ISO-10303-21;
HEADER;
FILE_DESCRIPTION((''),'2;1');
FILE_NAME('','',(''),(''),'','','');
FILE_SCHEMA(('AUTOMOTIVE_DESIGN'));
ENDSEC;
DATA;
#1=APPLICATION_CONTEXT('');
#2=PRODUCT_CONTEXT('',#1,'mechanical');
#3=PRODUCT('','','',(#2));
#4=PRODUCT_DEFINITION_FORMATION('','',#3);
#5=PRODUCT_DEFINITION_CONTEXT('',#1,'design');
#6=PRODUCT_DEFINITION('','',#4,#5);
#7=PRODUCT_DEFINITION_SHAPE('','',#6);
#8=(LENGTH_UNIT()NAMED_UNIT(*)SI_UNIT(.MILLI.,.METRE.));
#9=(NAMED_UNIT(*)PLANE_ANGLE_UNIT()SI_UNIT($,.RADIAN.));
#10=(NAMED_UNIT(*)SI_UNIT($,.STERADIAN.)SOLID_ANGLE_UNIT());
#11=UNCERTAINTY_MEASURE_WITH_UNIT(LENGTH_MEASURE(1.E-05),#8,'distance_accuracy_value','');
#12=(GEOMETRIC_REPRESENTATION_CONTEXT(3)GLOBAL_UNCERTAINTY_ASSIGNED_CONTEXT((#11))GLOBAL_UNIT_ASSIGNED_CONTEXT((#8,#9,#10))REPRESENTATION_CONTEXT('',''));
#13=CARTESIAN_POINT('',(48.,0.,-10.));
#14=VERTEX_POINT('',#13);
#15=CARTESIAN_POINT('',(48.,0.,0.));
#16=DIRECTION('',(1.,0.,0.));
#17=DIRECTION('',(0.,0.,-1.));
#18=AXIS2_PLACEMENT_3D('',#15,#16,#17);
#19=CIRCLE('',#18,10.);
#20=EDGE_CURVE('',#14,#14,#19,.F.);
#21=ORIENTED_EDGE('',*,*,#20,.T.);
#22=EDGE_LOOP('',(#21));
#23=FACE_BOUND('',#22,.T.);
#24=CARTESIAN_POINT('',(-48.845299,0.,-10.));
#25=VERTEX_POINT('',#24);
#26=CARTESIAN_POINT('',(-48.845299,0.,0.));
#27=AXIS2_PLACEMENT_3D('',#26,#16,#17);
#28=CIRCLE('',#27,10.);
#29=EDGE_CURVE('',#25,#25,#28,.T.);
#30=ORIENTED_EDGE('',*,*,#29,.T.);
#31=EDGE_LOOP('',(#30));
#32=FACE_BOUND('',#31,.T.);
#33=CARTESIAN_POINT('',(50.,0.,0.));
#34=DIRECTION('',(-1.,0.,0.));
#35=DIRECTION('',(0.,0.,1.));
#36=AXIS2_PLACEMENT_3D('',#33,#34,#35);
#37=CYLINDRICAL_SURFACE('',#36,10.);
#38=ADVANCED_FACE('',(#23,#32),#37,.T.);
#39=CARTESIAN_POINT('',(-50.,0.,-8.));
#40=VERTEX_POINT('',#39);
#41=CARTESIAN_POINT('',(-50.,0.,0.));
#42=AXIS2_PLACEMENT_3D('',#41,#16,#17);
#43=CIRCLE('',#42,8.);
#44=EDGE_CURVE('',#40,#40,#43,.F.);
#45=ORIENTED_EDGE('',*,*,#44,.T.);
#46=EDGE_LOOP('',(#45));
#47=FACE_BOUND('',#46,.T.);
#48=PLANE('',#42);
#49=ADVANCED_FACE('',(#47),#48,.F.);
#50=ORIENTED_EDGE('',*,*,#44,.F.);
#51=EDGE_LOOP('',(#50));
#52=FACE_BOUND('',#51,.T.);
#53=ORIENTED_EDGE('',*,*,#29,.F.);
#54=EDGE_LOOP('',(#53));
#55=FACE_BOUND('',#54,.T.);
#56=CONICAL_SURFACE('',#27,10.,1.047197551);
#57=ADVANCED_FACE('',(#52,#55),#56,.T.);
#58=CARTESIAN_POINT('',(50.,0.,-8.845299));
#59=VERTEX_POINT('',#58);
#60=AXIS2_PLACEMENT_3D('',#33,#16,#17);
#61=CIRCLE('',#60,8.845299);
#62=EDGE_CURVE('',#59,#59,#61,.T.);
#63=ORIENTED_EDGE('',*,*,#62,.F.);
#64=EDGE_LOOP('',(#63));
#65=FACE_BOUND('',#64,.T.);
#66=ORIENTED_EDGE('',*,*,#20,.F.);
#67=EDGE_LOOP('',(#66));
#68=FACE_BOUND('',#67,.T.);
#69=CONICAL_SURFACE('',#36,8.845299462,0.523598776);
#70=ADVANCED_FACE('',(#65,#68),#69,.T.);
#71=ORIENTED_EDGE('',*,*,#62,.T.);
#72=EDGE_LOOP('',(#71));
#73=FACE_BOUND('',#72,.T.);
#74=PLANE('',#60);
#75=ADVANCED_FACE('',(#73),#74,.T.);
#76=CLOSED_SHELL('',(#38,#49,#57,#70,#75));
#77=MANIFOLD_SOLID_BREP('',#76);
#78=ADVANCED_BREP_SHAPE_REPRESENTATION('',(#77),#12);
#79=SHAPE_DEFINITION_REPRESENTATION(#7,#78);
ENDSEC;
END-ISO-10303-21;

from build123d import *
from OCP.BRepFilletAPI import BRepFilletAPI_MakeChamfer

# Parameters (mm, degrees)
SKETCH1_R           = 10
BOSS_EXTRUDE1_DEPTH = 50
CHAMFER1_SIZE       = 2
CHAMFER1_SIZE2      = 1.154700538


with BuildPart() as part:
    # Sketch1 → Boss-Extrude1 (new, symmetric)
    with BuildSketch(Plane(origin=(0, 0, 0), x_dir=(0, 0, -1), z_dir=(1, 0, 0))):
        Circle(SKETCH1_R)
    extrude(amount=BOSS_EXTRUDE1_DEPTH, both=True)

    # Chamfer1: one chamfer whose edges measure the first distance from different faces: ONE call of the kernel's chamfer builder (chamfer() names one face for all edges)
    chamfer1_edges_1 = [part.edges().sort_by_distance(p)[0] for p in [
        (-50, 0, 10),
    ]]
    chamfer1_side_1 = [part.faces().sort_by_distance(p)[0] for p in [
        (-50, 0, 0),
    ]]
    chamfer1_edges_2 = [part.edges().sort_by_distance(p)[0] for p in [
        (50, 0, 10),
    ]]
    chamfer1_side_2 = [part.faces().sort_by_distance(p)[0] for p in [
        (0, 0, 10),
    ]]
    chamfer1 = BRepFilletAPI_MakeChamfer(part.part.solid().wrapped)
    for e in chamfer1_edges_1:
        chamfer1.Add(CHAMFER1_SIZE, CHAMFER1_SIZE2, e.wrapped, chamfer1_side_1[0].wrapped)  # the first distance lies on this face
    for e in chamfer1_edges_2:
        chamfer1.Add(CHAMFER1_SIZE, CHAMFER1_SIZE2, e.wrapped, chamfer1_side_2[0].wrapped)  # the first distance lies on this face
    add(Compound.cast(chamfer1.Shape()), mode=Mode.REPLACE)


solid = part.part
